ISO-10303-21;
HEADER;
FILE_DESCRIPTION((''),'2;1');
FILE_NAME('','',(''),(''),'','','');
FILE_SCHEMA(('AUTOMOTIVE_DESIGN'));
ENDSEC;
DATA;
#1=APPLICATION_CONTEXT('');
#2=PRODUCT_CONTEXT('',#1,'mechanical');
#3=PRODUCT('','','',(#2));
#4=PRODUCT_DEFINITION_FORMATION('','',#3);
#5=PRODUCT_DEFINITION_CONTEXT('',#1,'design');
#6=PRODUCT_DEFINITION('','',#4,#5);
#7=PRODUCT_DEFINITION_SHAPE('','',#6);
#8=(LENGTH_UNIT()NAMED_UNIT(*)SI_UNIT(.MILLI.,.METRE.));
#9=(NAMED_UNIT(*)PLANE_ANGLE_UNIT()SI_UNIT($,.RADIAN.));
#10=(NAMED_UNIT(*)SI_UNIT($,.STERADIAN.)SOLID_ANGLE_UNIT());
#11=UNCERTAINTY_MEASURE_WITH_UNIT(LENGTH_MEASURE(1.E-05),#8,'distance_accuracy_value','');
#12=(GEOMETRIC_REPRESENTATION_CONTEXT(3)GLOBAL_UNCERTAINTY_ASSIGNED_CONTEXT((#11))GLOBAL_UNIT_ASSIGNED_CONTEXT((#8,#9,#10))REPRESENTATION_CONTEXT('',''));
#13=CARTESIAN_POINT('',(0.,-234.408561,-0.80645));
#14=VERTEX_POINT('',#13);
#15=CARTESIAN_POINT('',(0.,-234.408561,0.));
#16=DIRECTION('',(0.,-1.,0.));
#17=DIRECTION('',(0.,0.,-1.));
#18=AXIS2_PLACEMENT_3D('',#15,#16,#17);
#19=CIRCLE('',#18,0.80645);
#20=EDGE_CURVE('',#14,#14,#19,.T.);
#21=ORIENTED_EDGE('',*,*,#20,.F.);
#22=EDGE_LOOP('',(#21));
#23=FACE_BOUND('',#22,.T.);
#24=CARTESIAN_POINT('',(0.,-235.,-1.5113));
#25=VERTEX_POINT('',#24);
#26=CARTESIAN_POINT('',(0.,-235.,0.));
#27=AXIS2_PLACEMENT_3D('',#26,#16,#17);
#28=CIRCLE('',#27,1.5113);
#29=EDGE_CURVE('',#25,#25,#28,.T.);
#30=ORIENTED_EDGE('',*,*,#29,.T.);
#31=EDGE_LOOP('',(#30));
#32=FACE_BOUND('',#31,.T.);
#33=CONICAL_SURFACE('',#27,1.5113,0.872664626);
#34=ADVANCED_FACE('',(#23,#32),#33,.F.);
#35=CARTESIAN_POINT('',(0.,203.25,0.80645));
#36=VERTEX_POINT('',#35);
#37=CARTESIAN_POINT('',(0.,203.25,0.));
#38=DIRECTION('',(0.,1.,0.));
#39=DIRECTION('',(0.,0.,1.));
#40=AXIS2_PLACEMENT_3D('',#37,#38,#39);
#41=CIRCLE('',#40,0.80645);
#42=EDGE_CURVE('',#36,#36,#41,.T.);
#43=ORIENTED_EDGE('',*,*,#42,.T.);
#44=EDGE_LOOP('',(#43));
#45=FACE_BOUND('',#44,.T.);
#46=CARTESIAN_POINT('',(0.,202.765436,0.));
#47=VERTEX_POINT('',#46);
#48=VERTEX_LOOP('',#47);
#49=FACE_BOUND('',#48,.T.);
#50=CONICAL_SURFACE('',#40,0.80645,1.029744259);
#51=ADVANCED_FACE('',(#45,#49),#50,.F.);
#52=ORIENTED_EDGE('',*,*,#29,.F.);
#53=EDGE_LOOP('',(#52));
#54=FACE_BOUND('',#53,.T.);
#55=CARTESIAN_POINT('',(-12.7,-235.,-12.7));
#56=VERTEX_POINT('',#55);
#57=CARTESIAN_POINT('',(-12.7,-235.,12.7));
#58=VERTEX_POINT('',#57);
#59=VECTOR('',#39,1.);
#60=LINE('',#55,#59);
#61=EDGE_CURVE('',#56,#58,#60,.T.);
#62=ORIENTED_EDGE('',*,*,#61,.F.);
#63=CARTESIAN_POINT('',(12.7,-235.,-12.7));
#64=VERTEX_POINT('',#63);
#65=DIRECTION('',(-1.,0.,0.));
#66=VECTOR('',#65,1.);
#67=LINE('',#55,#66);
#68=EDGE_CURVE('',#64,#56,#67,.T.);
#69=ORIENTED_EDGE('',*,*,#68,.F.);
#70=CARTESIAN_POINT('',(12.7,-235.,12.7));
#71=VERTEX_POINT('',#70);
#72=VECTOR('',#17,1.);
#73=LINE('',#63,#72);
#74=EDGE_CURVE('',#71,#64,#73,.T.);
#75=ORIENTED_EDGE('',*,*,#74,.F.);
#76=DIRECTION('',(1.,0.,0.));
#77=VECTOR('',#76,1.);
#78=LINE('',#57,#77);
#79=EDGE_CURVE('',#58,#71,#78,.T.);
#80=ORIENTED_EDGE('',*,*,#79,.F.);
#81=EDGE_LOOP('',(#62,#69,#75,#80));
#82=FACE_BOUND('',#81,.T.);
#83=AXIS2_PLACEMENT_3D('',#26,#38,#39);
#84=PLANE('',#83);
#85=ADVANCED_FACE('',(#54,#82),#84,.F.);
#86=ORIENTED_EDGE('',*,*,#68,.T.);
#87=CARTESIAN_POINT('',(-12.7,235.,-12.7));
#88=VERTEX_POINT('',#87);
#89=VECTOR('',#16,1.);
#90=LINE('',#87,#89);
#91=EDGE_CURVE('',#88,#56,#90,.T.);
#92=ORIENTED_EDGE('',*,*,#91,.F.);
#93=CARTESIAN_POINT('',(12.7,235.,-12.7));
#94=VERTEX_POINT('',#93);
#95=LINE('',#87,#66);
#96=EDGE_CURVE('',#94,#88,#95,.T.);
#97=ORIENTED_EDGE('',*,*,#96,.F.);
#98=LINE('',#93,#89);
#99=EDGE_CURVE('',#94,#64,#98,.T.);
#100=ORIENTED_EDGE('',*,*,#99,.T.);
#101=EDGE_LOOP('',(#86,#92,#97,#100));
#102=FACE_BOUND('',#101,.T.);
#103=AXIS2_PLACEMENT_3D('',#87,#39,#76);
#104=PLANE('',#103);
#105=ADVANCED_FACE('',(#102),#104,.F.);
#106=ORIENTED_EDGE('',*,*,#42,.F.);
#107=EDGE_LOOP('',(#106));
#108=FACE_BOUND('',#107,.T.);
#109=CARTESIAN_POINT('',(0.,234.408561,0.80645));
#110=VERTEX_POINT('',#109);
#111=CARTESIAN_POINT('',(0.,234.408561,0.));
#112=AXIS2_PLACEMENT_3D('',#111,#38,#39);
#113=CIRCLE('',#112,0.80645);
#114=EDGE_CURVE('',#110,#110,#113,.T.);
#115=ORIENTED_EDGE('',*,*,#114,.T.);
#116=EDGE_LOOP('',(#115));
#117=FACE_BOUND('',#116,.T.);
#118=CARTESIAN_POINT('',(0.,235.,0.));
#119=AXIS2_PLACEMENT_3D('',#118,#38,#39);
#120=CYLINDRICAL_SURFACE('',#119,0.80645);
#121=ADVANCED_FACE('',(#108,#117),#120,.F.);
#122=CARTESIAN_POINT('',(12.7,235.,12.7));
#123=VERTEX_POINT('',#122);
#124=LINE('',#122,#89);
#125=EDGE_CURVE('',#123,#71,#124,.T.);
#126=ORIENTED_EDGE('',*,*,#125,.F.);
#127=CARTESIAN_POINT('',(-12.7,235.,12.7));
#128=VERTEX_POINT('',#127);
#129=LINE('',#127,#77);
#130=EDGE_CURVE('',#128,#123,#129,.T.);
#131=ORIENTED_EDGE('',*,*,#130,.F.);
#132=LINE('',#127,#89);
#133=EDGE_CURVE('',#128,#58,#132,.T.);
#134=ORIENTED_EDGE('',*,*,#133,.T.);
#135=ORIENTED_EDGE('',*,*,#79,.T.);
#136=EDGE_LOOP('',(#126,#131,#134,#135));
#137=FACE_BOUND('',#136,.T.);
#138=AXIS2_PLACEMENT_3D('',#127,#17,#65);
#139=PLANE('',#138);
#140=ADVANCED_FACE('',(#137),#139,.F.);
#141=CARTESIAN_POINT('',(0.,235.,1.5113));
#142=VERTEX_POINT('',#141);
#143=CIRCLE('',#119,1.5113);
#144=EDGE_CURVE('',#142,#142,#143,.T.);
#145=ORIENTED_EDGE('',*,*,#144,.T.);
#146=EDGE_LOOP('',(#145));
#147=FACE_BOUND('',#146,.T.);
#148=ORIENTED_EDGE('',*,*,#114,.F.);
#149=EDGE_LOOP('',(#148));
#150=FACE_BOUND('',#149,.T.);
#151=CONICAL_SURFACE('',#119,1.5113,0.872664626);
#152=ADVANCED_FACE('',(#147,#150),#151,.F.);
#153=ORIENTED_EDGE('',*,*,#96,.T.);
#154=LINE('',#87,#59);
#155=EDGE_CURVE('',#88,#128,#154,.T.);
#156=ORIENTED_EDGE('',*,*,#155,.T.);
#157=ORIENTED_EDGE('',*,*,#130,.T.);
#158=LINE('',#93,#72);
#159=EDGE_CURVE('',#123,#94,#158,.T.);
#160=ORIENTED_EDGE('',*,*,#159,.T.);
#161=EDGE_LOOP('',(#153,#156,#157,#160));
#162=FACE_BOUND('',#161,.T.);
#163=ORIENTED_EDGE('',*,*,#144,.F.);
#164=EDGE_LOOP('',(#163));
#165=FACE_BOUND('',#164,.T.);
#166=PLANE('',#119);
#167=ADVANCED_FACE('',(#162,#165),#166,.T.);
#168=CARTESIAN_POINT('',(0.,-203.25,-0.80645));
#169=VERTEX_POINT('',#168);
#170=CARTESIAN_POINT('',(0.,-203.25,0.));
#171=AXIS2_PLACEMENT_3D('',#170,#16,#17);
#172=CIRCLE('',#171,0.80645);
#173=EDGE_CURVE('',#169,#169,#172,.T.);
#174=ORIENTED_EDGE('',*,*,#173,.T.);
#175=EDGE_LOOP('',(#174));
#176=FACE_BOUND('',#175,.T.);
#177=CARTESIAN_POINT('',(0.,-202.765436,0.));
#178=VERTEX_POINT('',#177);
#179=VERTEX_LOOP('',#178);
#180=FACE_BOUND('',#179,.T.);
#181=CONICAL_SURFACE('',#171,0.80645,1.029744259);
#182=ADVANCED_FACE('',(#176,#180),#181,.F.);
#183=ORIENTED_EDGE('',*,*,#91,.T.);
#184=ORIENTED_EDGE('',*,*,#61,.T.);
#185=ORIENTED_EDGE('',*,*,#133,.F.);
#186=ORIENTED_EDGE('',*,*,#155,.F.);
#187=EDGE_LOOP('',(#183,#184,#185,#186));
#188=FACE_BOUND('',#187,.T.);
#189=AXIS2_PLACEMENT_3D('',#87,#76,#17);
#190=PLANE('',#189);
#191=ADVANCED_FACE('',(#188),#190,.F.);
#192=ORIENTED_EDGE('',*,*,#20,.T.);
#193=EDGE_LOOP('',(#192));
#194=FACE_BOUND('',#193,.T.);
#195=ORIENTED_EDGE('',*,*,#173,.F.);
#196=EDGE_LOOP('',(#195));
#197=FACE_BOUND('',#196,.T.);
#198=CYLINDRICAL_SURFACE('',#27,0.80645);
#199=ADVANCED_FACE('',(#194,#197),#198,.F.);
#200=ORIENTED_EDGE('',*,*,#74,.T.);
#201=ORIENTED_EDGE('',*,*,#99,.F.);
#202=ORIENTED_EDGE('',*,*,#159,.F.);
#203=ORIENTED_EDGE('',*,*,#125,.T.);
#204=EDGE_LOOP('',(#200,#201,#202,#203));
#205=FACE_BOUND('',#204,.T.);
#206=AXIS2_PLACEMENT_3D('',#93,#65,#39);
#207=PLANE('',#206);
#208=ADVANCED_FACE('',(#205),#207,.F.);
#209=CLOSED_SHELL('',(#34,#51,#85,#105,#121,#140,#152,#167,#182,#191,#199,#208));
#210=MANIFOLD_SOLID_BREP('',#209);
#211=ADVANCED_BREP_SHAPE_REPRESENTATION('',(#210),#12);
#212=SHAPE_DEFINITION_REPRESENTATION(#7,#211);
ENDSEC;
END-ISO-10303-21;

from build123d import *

# Parameters (mm, degrees)
SKETCH1_W           = 25.4
SKETCH1_H           = 25.4
BOSS_EXTRUDE1_DEPTH = 235


with BuildPart() as part:
    # Sketch1 → Boss-Extrude1 (new body, symmetric)
    with BuildSketch(Plane(origin=(0, 0, 0), x_dir=(1, 0, 0), z_dir=(0, 1, 0))):
        Rectangle(SKETCH1_W, SKETCH1_H)
    extrude(amount=BOSS_EXTRUDE1_DEPTH, both=True)

    # Sketch3 → CSK for #0 Flat Head Machine Screw (100)1 (revolve, cut)
    with BuildSketch(Plane(origin=(0, 235, 0), x_dir=(0, 0, 1), z_dir=(1, 0, 0))):
        Polygon((0, 0), (0, 32.234564046), (0.80645, 31.75), (0.80645, 0.591439375), (1.5113, 0), align=None)
    csk_for_0_flat_head_machine_screw_100 = revolve(axis=Axis((0, 241.35, 0), (0, -1, 0)), mode=Mode.SUBTRACT)

    # Mirror1: CSK for #0 Flat Head Machine Screw (100)1 across plane
    add(csk_for_0_flat_head_machine_screw_100.mirror(Plane.ZX), mode=Mode.SUBTRACT)


solid = part.part
